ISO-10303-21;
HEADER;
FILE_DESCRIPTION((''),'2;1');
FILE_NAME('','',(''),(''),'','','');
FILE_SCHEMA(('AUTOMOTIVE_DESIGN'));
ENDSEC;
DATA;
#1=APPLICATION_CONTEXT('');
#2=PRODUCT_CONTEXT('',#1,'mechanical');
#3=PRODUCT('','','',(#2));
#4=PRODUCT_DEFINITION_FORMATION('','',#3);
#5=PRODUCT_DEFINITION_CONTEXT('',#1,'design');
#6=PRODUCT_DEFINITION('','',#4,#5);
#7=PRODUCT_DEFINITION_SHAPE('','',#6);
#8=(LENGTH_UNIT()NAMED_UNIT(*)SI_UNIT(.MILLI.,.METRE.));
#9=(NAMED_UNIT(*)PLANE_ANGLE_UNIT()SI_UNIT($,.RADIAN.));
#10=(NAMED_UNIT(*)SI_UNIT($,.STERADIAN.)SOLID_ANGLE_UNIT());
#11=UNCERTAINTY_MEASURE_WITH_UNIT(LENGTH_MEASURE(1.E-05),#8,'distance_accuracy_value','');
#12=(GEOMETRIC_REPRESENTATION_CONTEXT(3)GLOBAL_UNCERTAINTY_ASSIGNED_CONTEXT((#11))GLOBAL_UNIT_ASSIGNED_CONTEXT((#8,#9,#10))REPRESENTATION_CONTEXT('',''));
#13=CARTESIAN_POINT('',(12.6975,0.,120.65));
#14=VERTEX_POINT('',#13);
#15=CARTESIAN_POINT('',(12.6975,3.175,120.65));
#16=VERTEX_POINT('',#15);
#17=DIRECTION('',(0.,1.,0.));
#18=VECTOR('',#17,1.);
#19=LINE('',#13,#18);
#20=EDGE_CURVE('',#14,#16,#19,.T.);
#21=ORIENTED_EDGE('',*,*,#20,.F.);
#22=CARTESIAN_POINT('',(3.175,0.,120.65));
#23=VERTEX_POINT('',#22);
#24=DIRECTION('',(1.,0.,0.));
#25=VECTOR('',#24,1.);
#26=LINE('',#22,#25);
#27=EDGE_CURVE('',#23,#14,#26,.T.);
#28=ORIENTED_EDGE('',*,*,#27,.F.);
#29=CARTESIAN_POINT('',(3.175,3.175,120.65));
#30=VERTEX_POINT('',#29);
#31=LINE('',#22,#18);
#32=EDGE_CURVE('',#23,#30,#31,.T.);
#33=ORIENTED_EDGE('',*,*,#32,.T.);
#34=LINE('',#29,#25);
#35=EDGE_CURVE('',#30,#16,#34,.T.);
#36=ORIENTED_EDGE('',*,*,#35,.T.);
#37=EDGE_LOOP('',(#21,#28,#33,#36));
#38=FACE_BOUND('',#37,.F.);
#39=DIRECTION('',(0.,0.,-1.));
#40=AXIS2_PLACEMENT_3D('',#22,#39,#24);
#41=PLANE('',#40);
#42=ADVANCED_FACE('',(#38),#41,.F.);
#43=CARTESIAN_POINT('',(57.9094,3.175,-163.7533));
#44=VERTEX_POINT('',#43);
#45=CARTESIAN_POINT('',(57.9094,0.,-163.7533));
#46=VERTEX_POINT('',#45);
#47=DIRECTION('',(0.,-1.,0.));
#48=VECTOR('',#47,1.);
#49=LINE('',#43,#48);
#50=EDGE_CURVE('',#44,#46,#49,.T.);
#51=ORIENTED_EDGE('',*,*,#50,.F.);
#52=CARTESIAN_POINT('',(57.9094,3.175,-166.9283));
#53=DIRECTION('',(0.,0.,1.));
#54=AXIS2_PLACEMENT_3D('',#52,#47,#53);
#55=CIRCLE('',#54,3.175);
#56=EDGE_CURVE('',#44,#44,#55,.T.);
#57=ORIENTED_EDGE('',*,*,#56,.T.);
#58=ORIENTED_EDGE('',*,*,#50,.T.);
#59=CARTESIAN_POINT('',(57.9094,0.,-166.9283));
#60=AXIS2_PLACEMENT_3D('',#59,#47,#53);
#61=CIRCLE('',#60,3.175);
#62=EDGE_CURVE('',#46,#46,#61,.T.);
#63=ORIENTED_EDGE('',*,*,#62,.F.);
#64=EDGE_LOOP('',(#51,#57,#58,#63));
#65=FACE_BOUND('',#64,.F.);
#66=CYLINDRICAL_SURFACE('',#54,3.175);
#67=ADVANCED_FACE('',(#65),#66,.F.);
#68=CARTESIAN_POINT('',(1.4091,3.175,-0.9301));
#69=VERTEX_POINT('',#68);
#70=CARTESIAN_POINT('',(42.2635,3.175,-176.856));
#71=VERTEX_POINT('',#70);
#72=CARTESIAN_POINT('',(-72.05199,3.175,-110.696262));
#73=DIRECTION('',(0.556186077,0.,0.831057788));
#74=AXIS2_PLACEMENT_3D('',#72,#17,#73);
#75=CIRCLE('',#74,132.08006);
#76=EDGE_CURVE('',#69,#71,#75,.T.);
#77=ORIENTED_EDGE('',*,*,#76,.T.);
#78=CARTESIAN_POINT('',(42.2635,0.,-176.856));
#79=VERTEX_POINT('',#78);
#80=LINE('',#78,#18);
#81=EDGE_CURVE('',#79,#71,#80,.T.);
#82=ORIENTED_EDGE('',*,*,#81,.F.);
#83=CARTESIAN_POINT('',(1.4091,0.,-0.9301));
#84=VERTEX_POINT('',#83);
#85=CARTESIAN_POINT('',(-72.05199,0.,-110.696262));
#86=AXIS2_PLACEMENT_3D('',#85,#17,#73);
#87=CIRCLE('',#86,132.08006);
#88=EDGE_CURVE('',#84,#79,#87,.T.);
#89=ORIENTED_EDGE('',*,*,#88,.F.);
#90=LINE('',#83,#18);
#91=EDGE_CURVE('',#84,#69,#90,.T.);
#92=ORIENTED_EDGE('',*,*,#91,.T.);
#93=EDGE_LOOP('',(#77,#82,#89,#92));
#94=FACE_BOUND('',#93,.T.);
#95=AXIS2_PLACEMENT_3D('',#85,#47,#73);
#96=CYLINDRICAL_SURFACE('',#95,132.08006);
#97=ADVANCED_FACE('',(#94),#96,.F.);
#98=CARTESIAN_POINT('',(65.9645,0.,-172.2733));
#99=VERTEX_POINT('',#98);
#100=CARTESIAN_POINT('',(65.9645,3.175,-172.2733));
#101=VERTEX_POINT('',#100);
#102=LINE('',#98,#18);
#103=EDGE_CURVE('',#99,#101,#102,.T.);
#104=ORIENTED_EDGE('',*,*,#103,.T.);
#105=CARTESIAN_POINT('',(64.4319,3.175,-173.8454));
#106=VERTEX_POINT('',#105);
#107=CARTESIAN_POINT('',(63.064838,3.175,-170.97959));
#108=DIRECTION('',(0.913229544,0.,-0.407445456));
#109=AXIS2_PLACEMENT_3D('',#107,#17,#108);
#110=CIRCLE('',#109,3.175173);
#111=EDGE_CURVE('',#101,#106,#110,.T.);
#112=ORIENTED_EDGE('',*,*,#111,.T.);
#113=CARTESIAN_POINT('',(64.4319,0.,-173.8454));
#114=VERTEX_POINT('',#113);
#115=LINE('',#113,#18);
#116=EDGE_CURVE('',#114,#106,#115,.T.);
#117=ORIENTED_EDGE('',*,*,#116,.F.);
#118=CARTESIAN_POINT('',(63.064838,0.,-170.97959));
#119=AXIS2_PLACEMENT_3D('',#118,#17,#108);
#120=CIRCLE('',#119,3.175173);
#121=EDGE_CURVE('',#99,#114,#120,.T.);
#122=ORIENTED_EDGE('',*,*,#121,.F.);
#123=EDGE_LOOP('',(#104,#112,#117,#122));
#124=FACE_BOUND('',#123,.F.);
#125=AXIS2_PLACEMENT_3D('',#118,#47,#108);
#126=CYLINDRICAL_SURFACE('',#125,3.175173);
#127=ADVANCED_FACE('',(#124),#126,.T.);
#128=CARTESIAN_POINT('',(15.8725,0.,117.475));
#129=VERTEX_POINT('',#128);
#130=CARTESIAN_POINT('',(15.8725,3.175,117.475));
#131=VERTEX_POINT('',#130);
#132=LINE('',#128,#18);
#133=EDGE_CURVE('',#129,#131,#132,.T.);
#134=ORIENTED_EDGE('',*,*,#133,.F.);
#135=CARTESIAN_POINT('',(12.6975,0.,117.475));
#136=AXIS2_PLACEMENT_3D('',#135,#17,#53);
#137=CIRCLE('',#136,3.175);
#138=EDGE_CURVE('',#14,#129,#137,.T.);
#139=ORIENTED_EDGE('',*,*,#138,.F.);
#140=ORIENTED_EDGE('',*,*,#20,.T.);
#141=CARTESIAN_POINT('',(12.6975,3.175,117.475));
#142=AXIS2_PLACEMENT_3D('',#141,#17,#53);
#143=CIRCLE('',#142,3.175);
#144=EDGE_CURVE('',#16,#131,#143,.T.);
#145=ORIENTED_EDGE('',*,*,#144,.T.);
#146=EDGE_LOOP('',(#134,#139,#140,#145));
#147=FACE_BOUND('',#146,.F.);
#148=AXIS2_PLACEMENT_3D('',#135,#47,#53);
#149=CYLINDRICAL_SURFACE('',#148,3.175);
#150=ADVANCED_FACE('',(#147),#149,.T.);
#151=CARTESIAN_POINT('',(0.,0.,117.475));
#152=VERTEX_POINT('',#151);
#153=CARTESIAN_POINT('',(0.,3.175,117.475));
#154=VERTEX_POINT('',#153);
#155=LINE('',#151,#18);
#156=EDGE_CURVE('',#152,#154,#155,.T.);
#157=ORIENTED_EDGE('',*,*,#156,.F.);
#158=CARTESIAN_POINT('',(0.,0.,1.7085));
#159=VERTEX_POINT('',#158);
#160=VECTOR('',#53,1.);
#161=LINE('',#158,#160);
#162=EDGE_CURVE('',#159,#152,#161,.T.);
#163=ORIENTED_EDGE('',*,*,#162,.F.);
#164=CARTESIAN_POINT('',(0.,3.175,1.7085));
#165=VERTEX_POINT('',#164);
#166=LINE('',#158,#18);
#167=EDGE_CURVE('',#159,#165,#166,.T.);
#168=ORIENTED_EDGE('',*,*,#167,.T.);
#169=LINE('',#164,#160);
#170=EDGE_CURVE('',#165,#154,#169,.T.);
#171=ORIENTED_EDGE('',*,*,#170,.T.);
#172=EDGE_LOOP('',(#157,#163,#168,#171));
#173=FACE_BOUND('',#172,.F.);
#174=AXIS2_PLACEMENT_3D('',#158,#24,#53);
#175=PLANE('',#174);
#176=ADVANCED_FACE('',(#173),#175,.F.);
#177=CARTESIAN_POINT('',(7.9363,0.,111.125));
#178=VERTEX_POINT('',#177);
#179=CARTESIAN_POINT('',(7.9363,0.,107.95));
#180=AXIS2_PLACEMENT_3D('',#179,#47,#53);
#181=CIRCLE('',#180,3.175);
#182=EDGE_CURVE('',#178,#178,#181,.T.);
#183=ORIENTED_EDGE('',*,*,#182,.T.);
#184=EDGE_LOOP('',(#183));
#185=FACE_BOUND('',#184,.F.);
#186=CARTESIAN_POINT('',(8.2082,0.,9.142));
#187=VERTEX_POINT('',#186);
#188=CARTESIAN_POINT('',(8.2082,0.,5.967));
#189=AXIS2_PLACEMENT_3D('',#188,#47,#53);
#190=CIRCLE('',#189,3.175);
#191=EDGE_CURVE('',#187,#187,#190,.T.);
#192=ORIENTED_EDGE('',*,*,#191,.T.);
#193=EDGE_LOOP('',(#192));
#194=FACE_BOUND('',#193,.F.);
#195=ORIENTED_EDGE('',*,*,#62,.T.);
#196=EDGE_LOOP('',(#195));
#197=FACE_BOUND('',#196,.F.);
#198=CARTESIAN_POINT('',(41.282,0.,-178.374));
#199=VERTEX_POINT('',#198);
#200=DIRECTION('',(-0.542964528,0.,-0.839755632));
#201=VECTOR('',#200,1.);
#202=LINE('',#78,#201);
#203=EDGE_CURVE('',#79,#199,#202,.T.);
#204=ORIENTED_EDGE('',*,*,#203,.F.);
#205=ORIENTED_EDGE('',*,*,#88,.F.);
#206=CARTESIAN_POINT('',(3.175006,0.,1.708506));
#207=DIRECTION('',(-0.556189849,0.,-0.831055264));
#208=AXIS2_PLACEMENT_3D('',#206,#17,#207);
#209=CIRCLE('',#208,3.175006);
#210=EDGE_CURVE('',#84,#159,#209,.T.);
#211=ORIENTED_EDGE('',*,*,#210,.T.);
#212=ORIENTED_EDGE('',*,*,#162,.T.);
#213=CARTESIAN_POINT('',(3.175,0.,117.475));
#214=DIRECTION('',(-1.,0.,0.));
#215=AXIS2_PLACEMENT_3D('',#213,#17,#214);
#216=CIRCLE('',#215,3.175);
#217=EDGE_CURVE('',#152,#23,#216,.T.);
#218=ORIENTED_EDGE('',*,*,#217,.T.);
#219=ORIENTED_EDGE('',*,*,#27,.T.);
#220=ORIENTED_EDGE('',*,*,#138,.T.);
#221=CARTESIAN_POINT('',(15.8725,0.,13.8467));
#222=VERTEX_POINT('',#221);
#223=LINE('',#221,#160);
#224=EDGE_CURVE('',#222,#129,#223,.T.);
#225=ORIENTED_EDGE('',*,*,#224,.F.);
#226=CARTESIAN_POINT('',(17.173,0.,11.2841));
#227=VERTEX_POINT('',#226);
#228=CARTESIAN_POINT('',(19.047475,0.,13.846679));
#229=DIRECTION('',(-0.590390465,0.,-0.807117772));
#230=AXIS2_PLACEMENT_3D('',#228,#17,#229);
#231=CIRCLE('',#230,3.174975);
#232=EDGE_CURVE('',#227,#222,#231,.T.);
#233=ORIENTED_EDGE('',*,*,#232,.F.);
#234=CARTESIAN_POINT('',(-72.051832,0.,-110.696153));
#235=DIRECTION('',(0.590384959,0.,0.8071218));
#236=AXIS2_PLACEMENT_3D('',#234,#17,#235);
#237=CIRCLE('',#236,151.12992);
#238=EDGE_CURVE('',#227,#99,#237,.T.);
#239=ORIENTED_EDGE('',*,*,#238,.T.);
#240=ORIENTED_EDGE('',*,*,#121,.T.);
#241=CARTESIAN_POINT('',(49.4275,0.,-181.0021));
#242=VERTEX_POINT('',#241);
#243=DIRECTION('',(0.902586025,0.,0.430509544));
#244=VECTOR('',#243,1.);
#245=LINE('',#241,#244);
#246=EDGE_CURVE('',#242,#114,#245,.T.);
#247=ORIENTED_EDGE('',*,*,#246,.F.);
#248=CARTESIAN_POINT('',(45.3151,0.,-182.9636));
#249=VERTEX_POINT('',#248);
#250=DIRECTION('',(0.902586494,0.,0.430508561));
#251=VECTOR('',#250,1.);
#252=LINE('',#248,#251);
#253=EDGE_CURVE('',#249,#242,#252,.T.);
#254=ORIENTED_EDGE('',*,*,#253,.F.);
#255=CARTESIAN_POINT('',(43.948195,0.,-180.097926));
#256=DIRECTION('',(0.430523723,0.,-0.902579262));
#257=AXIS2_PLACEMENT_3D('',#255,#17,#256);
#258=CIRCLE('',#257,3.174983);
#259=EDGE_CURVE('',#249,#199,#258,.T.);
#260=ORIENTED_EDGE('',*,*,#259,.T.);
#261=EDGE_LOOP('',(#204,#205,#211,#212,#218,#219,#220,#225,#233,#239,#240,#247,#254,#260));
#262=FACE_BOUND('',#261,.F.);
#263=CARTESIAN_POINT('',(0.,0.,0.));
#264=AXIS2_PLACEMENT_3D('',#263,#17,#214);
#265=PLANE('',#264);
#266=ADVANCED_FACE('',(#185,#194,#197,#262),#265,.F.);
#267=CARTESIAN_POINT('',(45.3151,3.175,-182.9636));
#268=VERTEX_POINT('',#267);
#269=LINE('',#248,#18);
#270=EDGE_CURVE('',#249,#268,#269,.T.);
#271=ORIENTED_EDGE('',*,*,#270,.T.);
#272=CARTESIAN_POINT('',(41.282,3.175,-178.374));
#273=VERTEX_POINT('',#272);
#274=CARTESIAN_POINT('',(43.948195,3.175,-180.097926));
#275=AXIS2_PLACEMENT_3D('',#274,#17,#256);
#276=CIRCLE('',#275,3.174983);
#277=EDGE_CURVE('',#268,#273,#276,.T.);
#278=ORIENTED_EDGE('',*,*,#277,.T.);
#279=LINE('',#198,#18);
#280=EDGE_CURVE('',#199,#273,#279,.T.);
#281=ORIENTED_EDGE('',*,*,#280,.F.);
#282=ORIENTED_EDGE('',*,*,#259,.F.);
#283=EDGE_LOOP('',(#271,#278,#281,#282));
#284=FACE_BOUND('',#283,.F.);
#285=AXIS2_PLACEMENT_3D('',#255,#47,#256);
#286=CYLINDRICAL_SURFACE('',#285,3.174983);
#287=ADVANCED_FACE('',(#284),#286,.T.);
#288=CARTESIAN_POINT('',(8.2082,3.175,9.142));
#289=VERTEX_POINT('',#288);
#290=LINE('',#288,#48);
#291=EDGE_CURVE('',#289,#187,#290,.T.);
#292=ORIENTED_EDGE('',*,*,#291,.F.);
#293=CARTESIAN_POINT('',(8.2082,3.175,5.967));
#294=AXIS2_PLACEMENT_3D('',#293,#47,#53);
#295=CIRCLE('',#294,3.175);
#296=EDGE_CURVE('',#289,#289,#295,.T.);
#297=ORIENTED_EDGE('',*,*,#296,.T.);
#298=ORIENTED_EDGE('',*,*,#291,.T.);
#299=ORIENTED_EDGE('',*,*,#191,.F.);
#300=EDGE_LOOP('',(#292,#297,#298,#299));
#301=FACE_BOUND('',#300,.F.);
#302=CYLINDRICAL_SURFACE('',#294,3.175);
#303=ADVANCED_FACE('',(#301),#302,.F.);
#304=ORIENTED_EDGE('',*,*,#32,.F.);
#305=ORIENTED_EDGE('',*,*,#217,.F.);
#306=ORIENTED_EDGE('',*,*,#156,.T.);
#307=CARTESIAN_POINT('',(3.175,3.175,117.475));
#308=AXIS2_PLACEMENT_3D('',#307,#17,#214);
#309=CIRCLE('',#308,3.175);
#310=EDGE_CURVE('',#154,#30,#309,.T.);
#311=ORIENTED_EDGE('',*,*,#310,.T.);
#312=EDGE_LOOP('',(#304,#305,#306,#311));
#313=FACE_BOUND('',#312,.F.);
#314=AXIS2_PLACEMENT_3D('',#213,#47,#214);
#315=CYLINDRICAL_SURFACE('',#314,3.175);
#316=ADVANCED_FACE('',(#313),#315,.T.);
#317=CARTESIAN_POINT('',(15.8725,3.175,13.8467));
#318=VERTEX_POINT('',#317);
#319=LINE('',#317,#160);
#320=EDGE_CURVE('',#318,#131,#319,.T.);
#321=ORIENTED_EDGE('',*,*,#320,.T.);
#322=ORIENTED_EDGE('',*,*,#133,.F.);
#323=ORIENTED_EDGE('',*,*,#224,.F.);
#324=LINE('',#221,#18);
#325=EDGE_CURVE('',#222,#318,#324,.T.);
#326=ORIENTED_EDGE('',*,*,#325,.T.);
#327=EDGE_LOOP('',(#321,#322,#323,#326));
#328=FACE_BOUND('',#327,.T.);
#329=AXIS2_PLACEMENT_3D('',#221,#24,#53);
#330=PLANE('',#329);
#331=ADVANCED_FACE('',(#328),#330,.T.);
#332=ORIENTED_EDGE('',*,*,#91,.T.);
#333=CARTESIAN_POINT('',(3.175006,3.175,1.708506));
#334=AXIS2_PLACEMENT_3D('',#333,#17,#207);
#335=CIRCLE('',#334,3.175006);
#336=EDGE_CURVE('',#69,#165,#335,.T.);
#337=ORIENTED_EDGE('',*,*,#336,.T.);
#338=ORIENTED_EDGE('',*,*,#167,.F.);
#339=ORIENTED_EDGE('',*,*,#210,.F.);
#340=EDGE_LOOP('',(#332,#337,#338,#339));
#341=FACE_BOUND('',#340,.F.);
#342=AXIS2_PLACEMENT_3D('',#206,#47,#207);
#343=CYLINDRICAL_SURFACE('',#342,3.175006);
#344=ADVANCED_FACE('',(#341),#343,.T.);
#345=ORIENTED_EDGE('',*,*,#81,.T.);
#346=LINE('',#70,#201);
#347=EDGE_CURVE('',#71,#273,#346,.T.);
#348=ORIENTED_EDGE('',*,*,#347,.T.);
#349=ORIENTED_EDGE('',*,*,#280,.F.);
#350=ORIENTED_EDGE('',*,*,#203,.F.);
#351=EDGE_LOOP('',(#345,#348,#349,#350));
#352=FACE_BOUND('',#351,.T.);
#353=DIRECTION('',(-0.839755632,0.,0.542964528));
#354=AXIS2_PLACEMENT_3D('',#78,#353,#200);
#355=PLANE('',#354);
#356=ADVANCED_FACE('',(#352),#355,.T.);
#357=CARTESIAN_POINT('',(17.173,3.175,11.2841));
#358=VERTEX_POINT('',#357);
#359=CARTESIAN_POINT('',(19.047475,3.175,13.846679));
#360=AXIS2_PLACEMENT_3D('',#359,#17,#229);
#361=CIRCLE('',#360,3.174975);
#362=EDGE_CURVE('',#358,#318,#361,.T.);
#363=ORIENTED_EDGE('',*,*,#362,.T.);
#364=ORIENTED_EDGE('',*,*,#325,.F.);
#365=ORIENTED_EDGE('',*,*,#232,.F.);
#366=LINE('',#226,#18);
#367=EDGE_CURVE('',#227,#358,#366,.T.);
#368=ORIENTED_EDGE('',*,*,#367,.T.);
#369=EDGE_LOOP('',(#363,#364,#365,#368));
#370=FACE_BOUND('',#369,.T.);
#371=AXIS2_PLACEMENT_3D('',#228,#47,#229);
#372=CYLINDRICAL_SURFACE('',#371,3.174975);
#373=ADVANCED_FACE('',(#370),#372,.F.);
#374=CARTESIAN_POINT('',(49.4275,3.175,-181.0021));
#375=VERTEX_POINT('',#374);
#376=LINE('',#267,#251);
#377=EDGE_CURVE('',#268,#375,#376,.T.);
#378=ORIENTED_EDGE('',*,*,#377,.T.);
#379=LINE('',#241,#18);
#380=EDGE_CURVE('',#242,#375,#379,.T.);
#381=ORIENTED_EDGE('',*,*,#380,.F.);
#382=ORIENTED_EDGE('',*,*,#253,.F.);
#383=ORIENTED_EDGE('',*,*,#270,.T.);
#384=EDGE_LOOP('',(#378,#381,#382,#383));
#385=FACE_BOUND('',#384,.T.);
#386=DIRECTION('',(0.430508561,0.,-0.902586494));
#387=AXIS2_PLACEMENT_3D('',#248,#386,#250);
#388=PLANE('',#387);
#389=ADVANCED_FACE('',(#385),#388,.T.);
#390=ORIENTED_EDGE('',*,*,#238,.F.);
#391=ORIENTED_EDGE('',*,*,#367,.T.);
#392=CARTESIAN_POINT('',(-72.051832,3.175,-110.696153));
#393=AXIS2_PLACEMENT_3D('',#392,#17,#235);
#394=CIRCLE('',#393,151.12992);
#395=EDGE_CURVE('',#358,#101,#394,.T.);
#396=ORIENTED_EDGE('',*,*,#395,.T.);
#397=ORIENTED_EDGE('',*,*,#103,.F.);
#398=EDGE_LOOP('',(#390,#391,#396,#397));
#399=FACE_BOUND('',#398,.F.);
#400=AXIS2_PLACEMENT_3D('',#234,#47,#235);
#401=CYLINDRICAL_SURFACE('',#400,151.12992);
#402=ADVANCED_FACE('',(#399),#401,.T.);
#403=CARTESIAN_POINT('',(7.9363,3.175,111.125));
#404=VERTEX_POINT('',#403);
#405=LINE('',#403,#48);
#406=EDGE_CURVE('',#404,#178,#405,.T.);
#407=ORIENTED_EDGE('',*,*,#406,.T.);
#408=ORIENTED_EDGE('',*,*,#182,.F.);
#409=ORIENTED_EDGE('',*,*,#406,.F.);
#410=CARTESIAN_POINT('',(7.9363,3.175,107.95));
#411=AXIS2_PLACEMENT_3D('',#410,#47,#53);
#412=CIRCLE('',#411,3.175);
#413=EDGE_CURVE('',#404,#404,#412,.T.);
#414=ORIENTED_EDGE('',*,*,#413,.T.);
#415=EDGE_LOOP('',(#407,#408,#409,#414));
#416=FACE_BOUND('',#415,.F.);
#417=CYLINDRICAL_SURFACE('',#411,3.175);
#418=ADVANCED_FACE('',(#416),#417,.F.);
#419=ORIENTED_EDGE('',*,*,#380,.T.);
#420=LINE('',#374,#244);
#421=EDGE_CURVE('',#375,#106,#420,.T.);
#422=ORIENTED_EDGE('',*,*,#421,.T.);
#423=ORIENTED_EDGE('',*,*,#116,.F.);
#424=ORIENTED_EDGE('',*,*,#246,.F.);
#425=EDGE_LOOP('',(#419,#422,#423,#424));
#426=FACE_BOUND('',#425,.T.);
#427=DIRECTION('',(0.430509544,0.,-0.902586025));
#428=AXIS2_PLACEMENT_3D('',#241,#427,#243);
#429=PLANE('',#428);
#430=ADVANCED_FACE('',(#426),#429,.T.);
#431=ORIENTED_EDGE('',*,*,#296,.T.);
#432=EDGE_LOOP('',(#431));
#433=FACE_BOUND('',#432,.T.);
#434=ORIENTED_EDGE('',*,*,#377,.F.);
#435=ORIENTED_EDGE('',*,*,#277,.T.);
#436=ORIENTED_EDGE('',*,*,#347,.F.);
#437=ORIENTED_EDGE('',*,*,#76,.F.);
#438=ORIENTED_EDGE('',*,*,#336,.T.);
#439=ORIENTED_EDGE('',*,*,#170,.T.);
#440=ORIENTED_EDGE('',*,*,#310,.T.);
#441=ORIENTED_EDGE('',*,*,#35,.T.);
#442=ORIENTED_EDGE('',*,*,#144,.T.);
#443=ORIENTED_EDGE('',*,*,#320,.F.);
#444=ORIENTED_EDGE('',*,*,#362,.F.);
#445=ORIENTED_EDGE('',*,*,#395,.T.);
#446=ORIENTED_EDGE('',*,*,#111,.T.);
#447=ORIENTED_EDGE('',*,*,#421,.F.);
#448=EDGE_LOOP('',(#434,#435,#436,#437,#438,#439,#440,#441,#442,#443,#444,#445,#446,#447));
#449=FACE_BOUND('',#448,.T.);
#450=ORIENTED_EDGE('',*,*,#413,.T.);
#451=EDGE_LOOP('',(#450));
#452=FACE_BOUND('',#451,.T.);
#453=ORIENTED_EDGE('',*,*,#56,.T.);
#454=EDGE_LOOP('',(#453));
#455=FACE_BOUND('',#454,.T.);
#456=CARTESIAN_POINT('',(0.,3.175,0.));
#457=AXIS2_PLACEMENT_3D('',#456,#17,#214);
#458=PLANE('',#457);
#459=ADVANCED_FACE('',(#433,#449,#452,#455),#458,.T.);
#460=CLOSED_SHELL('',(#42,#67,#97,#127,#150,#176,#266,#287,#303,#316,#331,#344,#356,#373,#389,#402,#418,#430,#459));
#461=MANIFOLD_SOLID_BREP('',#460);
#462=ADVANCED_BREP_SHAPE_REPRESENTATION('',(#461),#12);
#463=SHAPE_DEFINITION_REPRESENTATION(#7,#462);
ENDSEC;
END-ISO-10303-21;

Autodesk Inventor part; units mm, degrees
ref_plane "YZ Plane" through (0, 0, 0) normal (1, 0, 0) x (0, 1, 0)
ref_plane "XZ Plane" through (0, 0, 0) normal (0, 1, 0) x (-1, 0, 0)
ref_plane "XY Plane" through (0, 0, 0) normal (0, 0, 1) x (1, 0, 0)
sketch "Sketch1" plane through (0, 0, 0) normal (0, 1, 0) x (-1, 0, 0)
  line L0 (0, 0) -> (72.0519, -110.6962) construction
  line L1 (0, 0) -> (0, -132.08) construction
  arc A0 (-1.4091, -0.9301) -> (-42.2635, -176.856) centre (72.0519, -110.6962) ccw
  line L2 (72.0519, -110.6962) -> (-42.2635, -176.856) construction
  arc A1 (0, 22.1526) -> (-15.8725, 12.2248) centre (72.0519, -110.6962) ccw construction
  line L3 (0, 0) -> (-15.9623, 24.5235) construction
  line L4 (0, 1.7085) -> (0, 117.475)
  line L5 (-15.8725, 13.8467) -> (-15.8725, 117.475)
  line L6 (-3.175, 120.65) -> (-12.6975, 120.65)
  line L7 (-49.4275, -181.0021) -> (-64.4319, -173.8454)
  arc A2 (-17.173, 11.2841) -> (-65.9645, -172.2733) centre (72.0519, -110.6962) ccw
  line L8 (-42.2635, -176.856) -> (-41.282, -178.374)
  line L9 (-45.3151, -182.9636) -> (-49.4275, -181.0021)
  arc A3 (-45.3151, -182.9636) -> (-41.282, -178.374) centre (-43.9482, -180.0979) ccw
  arc A4 (-65.9645, -172.2733) -> (-64.4319, -173.8454) centre (-63.065, -170.9797) ccw
  arc A5 (-1.4091, -0.9301) -> (0, 1.7085) centre (-3.175, 1.7085) ccw
  arc A6 (-17.173, 11.2841) -> (-15.8725, 13.8467) centre (-19.0475, 13.8467) ccw
  arc A7 (0, 117.475) -> (-3.175, 120.65) centre (-3.175, 117.475) ccw
  arc A8 (-12.6975, 120.65) -> (-15.8725, 117.475) centre (-12.6975, 117.475) ccw
  point P0 (-65.4815, -173.3448)
  point P1 (0, 120.65)
  point P2 (-35.1928, -187.7917)
  dimension "d1" = 132.08
  dimension "d2" = 33.06
  dimension "d3" = 87
  dimension "d4" = 302.26
  dimension "d5" = 29.2608
  dimension "d6" = 120.65
  dimension "d8" = 3.175
  dimension "d9" = 3.175
  dimension "d10" = 3.175
extrude "Extrusion1" add sketch "Sketch1" along normal blind 3.175
sketch "Sketch2" plane through (0, 3.175, 0) normal (0, 1, 0) x (1, 0, 0)
  arc A0 (17.173, -11.2841) -> (65.9645, 172.2733) centre (-72.0519, 110.6962) ccw projected
  line L0 (45.6255, 15.8684) -> (-72.0519, 110.6962)
  circle A1 centre (-72.0519, 110.6962) radius 151.13
  circle A2 centre (-72.0519, 110.6962) radius 132.0211
  circle A3 centre (-72.0519, 110.6962) radius 141.605
  circle A4 centre (57.9094, 166.9283) radius 3.175
  arc A5 (17.173, -11.2841) -> (15.8725, -13.8467) centre (19.0475, -13.8467) ccw projected
  line L1 (0, 0) -> (19.0475, -13.8467)
  circle A6 centre (8.2082, -5.967) radius 3.175
  line L2 (3.175, -120.65) -> (12.6975, -120.65) projected
  line L3 (7.9363, -120.65) -> (7.9363, 5.6655)
  circle A7 centre (7.9363, -107.95) radius 3.175
  dimension "d13" = 283.21
  dimension "d14" = 6.35
  dimension "d15" = 6.35
  dimension "d16" = 6.35
  dimension "d17" = 12.7
hole "Hole1" at (7.9363, 3.175, 107.95) at (8.2082, 3.175, 5.967) at (57.9094, 3.175, -166.9283) direction (0, -1, 0) diameter 6.35 depth 25.4 tip angle 118
properties part number "2AM-17-P-5201 - claw arm" material "Aluminum 6061"
